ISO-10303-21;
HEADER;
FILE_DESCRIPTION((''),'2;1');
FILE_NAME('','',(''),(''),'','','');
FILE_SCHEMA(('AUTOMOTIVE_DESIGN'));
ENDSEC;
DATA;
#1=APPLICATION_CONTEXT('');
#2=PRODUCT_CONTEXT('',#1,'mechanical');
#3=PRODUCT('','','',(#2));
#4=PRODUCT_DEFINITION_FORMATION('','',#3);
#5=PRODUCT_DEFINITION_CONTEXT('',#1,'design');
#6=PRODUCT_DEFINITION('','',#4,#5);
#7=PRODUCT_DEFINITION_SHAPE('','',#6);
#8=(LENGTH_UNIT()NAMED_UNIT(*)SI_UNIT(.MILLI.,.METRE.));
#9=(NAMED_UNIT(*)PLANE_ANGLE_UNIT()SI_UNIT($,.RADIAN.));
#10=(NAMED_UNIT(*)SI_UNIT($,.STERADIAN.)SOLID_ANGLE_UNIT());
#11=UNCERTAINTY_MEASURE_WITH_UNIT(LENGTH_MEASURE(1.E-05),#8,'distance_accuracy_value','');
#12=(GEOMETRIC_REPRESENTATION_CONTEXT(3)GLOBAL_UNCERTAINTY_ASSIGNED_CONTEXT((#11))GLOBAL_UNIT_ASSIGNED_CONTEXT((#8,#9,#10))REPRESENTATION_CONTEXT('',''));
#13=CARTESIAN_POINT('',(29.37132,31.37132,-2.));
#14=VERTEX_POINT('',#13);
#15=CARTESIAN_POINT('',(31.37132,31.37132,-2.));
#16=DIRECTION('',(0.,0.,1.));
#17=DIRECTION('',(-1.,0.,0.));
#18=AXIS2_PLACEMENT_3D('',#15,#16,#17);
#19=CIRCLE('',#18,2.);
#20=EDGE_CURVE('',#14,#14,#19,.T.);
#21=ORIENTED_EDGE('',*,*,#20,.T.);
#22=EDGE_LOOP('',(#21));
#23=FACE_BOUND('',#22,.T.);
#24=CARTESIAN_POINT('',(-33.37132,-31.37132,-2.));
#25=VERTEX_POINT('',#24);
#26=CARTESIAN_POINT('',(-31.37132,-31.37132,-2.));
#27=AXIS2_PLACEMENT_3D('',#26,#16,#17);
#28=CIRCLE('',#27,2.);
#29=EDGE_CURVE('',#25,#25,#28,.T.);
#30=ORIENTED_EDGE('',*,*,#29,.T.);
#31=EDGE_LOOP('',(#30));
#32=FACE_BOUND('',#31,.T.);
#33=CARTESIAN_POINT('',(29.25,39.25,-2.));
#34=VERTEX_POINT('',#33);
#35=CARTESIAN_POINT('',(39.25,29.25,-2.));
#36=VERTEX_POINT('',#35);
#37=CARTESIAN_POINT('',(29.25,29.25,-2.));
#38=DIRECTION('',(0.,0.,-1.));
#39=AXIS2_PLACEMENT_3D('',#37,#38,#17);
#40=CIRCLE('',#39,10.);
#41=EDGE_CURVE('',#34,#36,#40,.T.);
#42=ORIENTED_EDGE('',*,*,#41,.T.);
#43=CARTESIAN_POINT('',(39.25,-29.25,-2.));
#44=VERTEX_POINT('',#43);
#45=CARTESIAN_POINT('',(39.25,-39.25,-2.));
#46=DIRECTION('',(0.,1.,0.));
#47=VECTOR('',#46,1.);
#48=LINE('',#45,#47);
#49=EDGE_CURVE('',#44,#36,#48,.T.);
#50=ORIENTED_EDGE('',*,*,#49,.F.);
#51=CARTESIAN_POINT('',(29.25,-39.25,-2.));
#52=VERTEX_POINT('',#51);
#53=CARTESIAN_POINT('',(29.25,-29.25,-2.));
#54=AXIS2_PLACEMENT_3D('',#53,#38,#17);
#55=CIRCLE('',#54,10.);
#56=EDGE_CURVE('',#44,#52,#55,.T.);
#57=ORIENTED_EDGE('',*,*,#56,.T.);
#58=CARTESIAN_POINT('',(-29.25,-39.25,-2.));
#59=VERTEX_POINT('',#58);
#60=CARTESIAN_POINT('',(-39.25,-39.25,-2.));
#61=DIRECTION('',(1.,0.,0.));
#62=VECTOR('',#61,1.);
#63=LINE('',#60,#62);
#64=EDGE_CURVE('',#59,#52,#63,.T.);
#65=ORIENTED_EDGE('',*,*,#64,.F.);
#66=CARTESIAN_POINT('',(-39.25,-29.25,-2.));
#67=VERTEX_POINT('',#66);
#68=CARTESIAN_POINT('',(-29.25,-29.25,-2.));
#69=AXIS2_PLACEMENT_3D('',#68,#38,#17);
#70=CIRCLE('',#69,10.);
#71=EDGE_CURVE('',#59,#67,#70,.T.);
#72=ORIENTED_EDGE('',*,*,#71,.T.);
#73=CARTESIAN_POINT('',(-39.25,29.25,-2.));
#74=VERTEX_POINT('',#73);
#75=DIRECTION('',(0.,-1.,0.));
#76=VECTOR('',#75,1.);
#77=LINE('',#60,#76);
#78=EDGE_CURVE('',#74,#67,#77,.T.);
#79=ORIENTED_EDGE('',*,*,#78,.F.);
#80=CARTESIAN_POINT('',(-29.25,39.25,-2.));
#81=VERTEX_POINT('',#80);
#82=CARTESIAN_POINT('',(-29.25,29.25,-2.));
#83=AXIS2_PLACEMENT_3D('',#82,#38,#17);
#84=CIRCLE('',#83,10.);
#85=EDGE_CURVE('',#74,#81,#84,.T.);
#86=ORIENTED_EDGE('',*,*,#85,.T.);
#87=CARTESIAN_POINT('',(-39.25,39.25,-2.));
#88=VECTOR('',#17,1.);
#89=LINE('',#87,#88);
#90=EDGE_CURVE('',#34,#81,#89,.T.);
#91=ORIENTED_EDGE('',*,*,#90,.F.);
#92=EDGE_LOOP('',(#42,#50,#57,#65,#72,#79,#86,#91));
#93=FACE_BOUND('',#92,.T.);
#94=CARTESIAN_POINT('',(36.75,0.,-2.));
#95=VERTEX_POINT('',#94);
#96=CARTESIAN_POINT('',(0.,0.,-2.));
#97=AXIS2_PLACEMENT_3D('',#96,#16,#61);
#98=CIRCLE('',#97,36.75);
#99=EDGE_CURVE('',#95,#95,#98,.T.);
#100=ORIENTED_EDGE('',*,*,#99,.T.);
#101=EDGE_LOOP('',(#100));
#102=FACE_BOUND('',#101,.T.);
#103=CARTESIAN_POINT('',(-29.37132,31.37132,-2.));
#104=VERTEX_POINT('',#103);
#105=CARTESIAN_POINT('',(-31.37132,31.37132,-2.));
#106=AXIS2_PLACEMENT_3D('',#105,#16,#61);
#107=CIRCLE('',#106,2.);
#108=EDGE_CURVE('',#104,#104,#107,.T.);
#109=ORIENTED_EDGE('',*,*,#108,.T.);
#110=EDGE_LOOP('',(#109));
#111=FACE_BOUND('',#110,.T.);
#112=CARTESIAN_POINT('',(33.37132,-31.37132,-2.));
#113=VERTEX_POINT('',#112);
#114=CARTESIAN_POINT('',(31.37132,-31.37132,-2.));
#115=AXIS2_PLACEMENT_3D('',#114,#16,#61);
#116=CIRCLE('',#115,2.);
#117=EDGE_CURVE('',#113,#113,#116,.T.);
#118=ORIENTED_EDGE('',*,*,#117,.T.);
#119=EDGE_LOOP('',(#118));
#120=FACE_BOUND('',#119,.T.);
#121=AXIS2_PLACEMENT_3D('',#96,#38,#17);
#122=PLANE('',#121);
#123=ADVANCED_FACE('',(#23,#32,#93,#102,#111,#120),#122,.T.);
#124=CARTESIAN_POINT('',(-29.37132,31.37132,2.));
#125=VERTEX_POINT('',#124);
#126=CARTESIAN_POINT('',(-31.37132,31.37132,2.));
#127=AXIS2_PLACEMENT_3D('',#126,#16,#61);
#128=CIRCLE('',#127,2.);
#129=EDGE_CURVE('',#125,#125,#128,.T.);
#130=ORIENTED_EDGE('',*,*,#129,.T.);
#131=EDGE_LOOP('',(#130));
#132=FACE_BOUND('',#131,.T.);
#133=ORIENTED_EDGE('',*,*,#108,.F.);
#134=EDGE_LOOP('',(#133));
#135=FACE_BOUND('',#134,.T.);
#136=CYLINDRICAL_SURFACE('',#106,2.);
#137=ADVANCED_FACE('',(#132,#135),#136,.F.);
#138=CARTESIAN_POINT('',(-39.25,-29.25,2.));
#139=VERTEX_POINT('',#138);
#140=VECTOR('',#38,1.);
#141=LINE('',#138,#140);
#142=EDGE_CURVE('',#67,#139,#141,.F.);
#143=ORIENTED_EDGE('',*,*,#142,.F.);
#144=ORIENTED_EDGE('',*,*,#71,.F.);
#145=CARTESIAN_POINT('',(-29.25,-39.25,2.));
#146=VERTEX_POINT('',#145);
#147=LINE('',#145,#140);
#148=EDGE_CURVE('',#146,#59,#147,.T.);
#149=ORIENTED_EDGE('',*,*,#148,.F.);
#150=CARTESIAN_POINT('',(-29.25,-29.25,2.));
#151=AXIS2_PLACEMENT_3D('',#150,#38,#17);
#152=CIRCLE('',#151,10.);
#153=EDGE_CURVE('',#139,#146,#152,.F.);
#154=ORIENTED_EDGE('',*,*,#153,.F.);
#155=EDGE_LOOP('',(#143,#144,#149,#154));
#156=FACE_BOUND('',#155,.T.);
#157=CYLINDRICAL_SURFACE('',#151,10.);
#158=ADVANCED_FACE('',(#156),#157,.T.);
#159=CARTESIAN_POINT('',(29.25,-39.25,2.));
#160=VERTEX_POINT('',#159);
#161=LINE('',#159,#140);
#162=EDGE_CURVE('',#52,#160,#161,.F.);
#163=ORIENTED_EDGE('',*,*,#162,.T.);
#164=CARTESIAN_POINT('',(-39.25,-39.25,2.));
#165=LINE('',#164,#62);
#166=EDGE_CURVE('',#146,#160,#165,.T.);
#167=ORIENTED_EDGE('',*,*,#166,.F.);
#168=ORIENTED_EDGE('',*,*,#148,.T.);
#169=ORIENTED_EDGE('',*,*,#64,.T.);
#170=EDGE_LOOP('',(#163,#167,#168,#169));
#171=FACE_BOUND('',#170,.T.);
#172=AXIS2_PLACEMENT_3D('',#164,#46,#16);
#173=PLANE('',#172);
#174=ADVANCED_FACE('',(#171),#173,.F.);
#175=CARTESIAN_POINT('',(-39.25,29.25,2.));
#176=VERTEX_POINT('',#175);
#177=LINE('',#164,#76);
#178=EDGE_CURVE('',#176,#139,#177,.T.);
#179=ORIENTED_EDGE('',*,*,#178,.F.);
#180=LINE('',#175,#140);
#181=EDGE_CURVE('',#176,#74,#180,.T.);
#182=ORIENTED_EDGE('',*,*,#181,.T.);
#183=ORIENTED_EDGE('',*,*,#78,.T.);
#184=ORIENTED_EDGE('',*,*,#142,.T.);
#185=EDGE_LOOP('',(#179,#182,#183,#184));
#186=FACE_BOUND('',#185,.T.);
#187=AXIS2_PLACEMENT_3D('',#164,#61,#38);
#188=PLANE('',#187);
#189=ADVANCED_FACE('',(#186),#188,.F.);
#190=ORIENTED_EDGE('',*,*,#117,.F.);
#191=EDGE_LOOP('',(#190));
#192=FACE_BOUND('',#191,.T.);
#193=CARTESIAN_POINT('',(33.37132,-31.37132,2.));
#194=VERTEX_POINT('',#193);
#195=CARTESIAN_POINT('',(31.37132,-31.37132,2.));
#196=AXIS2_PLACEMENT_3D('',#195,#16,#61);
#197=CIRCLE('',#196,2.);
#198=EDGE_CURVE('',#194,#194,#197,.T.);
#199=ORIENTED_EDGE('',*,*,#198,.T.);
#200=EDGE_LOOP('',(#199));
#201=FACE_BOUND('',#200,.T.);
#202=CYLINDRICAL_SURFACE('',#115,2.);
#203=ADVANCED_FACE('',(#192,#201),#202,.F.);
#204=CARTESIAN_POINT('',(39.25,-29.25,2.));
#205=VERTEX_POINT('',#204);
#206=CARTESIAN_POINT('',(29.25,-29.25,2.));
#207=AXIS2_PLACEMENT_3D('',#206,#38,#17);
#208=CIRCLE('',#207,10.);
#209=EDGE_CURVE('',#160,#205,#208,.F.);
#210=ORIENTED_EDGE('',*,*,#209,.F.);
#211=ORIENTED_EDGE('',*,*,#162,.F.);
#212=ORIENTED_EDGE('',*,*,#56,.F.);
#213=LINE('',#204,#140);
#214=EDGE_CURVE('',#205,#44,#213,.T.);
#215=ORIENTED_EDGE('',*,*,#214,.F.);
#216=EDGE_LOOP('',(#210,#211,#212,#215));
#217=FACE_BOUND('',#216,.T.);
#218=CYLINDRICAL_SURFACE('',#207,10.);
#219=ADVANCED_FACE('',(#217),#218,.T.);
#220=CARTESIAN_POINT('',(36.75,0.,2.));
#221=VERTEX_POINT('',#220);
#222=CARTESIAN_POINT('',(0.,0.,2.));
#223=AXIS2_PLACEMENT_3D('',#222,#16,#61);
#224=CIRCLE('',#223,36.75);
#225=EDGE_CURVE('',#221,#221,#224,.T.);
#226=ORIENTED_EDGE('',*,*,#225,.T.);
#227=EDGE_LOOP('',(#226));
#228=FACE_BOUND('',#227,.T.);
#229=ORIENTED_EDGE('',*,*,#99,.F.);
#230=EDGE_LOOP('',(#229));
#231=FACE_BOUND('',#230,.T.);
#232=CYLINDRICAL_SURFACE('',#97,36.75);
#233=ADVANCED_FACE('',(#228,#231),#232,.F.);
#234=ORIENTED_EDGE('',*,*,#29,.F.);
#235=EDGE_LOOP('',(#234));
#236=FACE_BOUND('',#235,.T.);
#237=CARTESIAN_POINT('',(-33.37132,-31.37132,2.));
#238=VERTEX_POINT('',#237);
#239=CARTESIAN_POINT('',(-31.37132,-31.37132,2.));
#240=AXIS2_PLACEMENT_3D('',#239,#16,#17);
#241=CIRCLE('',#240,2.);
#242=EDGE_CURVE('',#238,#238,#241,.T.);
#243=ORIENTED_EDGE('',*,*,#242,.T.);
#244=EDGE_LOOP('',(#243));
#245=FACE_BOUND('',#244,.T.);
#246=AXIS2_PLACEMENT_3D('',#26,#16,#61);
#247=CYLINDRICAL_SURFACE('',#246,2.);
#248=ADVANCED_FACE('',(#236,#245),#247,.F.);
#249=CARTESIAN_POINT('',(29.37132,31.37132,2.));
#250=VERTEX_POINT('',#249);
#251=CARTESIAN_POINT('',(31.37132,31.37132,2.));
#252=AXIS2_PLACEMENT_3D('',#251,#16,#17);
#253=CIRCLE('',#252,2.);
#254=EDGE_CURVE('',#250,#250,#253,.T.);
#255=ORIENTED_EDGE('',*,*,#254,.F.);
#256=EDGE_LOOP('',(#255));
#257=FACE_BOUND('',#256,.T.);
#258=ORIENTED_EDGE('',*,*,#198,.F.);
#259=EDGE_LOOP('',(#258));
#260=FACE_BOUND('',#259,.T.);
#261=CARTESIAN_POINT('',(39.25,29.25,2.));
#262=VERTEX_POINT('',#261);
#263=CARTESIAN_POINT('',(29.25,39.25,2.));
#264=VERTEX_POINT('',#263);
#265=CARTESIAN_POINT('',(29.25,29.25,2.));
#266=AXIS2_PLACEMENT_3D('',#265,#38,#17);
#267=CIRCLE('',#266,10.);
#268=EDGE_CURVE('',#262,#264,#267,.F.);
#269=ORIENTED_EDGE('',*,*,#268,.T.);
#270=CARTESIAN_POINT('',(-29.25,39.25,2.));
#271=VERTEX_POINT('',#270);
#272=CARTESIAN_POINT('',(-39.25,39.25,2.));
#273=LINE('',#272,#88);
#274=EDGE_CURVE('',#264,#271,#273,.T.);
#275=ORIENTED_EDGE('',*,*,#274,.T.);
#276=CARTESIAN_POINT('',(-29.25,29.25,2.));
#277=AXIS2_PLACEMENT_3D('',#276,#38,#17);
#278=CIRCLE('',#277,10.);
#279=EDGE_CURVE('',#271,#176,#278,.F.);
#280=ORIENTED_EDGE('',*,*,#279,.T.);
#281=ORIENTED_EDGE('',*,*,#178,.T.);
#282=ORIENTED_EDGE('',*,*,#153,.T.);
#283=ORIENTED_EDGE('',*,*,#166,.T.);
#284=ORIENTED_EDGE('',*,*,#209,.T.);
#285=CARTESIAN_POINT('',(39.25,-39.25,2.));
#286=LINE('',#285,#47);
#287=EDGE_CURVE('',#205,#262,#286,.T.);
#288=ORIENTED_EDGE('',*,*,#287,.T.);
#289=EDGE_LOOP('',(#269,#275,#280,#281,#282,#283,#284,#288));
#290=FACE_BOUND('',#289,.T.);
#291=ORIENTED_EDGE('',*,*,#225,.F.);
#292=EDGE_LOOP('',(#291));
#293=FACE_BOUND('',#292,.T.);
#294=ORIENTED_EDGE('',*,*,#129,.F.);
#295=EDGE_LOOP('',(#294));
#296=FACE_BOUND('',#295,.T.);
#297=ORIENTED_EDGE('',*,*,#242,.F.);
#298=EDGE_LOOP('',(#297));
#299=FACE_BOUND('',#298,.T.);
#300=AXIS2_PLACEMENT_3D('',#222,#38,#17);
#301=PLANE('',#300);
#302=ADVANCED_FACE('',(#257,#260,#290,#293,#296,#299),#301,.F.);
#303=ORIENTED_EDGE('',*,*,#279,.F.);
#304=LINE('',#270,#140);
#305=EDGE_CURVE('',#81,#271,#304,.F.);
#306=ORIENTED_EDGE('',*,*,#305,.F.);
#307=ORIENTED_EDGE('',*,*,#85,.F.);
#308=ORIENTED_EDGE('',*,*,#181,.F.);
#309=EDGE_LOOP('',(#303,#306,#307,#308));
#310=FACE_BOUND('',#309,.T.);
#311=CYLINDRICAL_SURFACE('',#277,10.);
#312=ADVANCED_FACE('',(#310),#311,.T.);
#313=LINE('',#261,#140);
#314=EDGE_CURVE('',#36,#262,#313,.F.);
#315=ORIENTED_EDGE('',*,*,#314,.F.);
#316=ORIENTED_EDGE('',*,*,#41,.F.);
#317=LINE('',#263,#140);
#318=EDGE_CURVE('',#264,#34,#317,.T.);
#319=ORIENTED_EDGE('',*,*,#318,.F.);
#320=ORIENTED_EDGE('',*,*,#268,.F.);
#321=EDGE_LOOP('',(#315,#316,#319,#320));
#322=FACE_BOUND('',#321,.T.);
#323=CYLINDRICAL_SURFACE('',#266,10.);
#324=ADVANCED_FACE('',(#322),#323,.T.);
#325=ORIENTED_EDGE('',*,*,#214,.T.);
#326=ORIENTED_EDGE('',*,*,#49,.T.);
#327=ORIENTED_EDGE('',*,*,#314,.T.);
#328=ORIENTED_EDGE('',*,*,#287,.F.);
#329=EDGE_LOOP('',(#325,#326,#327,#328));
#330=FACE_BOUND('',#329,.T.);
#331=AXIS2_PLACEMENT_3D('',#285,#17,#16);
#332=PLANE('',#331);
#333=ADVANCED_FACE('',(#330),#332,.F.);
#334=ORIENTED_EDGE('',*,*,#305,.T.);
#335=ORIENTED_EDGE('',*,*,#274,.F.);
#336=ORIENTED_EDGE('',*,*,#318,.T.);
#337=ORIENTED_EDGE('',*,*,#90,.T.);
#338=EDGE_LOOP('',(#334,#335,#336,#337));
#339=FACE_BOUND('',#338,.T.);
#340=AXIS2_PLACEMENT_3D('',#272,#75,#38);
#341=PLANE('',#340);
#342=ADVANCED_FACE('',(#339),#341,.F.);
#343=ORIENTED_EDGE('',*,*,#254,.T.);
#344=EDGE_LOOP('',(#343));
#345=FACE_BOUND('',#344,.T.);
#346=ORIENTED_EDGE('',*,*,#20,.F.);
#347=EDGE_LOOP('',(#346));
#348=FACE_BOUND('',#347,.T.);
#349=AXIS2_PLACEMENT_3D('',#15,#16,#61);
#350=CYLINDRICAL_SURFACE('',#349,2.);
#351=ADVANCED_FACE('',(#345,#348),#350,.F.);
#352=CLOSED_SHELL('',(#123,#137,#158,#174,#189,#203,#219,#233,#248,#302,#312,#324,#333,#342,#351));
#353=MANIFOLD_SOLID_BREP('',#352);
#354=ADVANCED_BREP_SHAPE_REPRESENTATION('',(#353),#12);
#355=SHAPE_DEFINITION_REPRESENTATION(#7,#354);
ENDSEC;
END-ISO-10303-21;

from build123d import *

# Parameters (mm, degrees)
SKETCH1_W           = 78.5
SKETCH1_H           = 78.5
BOSS_EXTRUDE1_DEPTH = 2
FILLET1_R           = 10
SKETCH2_R           = 2
CUT_EXTRUDE1_DEPTH  = 56.651819377
SKETCH3_R           = 36.75
CUT_EXTRUDE2_DEPTH  = 56.651819377


with BuildPart() as part:
    # Sketch1 → Boss-Extrude1 (new, symmetric)
    with BuildSketch(Plane.XY):
        Rectangle(SKETCH1_W, SKETCH1_H)
    extrude(amount=BOSS_EXTRUDE1_DEPTH, both=True)

    # Fillet1
    fillet1_edges = [part.edges().sort_by_distance(p)[0] for p in [
        (39.25, -39.25, 0),
        (-39.25, -39.25, 0),
        (-39.25, 39.25, 0),
        (39.25, 39.25, 0),
    ]]
    fillet(fillet1_edges, radius=FILLET1_R)

    # Sketch2 → Cut-Extrude1 (cut, through all)
    with BuildSketch(Plane.XY.offset(2)):
        with Locations((-31.371320344, 31.371320344)):
            Circle(SKETCH2_R)
        with Locations(Location((-31.371320344, -31.371320344, 0), (0, 0, 180))):
            Circle(SKETCH2_R)
        with Locations(Location((31.371320344, 31.371320344, 0), (0, 0, 180))):
            Circle(SKETCH2_R)
        with Locations((31.371320344, -31.371320344)):
            Circle(SKETCH2_R)
    extrude(amount=-CUT_EXTRUDE1_DEPTH, mode=Mode.SUBTRACT)

    # Sketch3 → Cut-Extrude2 (cut, through all)
    with BuildSketch(Plane.XY.offset(2)):
        Circle(SKETCH3_R)
    extrude(amount=-CUT_EXTRUDE2_DEPTH, mode=Mode.SUBTRACT)


solid = part.part
